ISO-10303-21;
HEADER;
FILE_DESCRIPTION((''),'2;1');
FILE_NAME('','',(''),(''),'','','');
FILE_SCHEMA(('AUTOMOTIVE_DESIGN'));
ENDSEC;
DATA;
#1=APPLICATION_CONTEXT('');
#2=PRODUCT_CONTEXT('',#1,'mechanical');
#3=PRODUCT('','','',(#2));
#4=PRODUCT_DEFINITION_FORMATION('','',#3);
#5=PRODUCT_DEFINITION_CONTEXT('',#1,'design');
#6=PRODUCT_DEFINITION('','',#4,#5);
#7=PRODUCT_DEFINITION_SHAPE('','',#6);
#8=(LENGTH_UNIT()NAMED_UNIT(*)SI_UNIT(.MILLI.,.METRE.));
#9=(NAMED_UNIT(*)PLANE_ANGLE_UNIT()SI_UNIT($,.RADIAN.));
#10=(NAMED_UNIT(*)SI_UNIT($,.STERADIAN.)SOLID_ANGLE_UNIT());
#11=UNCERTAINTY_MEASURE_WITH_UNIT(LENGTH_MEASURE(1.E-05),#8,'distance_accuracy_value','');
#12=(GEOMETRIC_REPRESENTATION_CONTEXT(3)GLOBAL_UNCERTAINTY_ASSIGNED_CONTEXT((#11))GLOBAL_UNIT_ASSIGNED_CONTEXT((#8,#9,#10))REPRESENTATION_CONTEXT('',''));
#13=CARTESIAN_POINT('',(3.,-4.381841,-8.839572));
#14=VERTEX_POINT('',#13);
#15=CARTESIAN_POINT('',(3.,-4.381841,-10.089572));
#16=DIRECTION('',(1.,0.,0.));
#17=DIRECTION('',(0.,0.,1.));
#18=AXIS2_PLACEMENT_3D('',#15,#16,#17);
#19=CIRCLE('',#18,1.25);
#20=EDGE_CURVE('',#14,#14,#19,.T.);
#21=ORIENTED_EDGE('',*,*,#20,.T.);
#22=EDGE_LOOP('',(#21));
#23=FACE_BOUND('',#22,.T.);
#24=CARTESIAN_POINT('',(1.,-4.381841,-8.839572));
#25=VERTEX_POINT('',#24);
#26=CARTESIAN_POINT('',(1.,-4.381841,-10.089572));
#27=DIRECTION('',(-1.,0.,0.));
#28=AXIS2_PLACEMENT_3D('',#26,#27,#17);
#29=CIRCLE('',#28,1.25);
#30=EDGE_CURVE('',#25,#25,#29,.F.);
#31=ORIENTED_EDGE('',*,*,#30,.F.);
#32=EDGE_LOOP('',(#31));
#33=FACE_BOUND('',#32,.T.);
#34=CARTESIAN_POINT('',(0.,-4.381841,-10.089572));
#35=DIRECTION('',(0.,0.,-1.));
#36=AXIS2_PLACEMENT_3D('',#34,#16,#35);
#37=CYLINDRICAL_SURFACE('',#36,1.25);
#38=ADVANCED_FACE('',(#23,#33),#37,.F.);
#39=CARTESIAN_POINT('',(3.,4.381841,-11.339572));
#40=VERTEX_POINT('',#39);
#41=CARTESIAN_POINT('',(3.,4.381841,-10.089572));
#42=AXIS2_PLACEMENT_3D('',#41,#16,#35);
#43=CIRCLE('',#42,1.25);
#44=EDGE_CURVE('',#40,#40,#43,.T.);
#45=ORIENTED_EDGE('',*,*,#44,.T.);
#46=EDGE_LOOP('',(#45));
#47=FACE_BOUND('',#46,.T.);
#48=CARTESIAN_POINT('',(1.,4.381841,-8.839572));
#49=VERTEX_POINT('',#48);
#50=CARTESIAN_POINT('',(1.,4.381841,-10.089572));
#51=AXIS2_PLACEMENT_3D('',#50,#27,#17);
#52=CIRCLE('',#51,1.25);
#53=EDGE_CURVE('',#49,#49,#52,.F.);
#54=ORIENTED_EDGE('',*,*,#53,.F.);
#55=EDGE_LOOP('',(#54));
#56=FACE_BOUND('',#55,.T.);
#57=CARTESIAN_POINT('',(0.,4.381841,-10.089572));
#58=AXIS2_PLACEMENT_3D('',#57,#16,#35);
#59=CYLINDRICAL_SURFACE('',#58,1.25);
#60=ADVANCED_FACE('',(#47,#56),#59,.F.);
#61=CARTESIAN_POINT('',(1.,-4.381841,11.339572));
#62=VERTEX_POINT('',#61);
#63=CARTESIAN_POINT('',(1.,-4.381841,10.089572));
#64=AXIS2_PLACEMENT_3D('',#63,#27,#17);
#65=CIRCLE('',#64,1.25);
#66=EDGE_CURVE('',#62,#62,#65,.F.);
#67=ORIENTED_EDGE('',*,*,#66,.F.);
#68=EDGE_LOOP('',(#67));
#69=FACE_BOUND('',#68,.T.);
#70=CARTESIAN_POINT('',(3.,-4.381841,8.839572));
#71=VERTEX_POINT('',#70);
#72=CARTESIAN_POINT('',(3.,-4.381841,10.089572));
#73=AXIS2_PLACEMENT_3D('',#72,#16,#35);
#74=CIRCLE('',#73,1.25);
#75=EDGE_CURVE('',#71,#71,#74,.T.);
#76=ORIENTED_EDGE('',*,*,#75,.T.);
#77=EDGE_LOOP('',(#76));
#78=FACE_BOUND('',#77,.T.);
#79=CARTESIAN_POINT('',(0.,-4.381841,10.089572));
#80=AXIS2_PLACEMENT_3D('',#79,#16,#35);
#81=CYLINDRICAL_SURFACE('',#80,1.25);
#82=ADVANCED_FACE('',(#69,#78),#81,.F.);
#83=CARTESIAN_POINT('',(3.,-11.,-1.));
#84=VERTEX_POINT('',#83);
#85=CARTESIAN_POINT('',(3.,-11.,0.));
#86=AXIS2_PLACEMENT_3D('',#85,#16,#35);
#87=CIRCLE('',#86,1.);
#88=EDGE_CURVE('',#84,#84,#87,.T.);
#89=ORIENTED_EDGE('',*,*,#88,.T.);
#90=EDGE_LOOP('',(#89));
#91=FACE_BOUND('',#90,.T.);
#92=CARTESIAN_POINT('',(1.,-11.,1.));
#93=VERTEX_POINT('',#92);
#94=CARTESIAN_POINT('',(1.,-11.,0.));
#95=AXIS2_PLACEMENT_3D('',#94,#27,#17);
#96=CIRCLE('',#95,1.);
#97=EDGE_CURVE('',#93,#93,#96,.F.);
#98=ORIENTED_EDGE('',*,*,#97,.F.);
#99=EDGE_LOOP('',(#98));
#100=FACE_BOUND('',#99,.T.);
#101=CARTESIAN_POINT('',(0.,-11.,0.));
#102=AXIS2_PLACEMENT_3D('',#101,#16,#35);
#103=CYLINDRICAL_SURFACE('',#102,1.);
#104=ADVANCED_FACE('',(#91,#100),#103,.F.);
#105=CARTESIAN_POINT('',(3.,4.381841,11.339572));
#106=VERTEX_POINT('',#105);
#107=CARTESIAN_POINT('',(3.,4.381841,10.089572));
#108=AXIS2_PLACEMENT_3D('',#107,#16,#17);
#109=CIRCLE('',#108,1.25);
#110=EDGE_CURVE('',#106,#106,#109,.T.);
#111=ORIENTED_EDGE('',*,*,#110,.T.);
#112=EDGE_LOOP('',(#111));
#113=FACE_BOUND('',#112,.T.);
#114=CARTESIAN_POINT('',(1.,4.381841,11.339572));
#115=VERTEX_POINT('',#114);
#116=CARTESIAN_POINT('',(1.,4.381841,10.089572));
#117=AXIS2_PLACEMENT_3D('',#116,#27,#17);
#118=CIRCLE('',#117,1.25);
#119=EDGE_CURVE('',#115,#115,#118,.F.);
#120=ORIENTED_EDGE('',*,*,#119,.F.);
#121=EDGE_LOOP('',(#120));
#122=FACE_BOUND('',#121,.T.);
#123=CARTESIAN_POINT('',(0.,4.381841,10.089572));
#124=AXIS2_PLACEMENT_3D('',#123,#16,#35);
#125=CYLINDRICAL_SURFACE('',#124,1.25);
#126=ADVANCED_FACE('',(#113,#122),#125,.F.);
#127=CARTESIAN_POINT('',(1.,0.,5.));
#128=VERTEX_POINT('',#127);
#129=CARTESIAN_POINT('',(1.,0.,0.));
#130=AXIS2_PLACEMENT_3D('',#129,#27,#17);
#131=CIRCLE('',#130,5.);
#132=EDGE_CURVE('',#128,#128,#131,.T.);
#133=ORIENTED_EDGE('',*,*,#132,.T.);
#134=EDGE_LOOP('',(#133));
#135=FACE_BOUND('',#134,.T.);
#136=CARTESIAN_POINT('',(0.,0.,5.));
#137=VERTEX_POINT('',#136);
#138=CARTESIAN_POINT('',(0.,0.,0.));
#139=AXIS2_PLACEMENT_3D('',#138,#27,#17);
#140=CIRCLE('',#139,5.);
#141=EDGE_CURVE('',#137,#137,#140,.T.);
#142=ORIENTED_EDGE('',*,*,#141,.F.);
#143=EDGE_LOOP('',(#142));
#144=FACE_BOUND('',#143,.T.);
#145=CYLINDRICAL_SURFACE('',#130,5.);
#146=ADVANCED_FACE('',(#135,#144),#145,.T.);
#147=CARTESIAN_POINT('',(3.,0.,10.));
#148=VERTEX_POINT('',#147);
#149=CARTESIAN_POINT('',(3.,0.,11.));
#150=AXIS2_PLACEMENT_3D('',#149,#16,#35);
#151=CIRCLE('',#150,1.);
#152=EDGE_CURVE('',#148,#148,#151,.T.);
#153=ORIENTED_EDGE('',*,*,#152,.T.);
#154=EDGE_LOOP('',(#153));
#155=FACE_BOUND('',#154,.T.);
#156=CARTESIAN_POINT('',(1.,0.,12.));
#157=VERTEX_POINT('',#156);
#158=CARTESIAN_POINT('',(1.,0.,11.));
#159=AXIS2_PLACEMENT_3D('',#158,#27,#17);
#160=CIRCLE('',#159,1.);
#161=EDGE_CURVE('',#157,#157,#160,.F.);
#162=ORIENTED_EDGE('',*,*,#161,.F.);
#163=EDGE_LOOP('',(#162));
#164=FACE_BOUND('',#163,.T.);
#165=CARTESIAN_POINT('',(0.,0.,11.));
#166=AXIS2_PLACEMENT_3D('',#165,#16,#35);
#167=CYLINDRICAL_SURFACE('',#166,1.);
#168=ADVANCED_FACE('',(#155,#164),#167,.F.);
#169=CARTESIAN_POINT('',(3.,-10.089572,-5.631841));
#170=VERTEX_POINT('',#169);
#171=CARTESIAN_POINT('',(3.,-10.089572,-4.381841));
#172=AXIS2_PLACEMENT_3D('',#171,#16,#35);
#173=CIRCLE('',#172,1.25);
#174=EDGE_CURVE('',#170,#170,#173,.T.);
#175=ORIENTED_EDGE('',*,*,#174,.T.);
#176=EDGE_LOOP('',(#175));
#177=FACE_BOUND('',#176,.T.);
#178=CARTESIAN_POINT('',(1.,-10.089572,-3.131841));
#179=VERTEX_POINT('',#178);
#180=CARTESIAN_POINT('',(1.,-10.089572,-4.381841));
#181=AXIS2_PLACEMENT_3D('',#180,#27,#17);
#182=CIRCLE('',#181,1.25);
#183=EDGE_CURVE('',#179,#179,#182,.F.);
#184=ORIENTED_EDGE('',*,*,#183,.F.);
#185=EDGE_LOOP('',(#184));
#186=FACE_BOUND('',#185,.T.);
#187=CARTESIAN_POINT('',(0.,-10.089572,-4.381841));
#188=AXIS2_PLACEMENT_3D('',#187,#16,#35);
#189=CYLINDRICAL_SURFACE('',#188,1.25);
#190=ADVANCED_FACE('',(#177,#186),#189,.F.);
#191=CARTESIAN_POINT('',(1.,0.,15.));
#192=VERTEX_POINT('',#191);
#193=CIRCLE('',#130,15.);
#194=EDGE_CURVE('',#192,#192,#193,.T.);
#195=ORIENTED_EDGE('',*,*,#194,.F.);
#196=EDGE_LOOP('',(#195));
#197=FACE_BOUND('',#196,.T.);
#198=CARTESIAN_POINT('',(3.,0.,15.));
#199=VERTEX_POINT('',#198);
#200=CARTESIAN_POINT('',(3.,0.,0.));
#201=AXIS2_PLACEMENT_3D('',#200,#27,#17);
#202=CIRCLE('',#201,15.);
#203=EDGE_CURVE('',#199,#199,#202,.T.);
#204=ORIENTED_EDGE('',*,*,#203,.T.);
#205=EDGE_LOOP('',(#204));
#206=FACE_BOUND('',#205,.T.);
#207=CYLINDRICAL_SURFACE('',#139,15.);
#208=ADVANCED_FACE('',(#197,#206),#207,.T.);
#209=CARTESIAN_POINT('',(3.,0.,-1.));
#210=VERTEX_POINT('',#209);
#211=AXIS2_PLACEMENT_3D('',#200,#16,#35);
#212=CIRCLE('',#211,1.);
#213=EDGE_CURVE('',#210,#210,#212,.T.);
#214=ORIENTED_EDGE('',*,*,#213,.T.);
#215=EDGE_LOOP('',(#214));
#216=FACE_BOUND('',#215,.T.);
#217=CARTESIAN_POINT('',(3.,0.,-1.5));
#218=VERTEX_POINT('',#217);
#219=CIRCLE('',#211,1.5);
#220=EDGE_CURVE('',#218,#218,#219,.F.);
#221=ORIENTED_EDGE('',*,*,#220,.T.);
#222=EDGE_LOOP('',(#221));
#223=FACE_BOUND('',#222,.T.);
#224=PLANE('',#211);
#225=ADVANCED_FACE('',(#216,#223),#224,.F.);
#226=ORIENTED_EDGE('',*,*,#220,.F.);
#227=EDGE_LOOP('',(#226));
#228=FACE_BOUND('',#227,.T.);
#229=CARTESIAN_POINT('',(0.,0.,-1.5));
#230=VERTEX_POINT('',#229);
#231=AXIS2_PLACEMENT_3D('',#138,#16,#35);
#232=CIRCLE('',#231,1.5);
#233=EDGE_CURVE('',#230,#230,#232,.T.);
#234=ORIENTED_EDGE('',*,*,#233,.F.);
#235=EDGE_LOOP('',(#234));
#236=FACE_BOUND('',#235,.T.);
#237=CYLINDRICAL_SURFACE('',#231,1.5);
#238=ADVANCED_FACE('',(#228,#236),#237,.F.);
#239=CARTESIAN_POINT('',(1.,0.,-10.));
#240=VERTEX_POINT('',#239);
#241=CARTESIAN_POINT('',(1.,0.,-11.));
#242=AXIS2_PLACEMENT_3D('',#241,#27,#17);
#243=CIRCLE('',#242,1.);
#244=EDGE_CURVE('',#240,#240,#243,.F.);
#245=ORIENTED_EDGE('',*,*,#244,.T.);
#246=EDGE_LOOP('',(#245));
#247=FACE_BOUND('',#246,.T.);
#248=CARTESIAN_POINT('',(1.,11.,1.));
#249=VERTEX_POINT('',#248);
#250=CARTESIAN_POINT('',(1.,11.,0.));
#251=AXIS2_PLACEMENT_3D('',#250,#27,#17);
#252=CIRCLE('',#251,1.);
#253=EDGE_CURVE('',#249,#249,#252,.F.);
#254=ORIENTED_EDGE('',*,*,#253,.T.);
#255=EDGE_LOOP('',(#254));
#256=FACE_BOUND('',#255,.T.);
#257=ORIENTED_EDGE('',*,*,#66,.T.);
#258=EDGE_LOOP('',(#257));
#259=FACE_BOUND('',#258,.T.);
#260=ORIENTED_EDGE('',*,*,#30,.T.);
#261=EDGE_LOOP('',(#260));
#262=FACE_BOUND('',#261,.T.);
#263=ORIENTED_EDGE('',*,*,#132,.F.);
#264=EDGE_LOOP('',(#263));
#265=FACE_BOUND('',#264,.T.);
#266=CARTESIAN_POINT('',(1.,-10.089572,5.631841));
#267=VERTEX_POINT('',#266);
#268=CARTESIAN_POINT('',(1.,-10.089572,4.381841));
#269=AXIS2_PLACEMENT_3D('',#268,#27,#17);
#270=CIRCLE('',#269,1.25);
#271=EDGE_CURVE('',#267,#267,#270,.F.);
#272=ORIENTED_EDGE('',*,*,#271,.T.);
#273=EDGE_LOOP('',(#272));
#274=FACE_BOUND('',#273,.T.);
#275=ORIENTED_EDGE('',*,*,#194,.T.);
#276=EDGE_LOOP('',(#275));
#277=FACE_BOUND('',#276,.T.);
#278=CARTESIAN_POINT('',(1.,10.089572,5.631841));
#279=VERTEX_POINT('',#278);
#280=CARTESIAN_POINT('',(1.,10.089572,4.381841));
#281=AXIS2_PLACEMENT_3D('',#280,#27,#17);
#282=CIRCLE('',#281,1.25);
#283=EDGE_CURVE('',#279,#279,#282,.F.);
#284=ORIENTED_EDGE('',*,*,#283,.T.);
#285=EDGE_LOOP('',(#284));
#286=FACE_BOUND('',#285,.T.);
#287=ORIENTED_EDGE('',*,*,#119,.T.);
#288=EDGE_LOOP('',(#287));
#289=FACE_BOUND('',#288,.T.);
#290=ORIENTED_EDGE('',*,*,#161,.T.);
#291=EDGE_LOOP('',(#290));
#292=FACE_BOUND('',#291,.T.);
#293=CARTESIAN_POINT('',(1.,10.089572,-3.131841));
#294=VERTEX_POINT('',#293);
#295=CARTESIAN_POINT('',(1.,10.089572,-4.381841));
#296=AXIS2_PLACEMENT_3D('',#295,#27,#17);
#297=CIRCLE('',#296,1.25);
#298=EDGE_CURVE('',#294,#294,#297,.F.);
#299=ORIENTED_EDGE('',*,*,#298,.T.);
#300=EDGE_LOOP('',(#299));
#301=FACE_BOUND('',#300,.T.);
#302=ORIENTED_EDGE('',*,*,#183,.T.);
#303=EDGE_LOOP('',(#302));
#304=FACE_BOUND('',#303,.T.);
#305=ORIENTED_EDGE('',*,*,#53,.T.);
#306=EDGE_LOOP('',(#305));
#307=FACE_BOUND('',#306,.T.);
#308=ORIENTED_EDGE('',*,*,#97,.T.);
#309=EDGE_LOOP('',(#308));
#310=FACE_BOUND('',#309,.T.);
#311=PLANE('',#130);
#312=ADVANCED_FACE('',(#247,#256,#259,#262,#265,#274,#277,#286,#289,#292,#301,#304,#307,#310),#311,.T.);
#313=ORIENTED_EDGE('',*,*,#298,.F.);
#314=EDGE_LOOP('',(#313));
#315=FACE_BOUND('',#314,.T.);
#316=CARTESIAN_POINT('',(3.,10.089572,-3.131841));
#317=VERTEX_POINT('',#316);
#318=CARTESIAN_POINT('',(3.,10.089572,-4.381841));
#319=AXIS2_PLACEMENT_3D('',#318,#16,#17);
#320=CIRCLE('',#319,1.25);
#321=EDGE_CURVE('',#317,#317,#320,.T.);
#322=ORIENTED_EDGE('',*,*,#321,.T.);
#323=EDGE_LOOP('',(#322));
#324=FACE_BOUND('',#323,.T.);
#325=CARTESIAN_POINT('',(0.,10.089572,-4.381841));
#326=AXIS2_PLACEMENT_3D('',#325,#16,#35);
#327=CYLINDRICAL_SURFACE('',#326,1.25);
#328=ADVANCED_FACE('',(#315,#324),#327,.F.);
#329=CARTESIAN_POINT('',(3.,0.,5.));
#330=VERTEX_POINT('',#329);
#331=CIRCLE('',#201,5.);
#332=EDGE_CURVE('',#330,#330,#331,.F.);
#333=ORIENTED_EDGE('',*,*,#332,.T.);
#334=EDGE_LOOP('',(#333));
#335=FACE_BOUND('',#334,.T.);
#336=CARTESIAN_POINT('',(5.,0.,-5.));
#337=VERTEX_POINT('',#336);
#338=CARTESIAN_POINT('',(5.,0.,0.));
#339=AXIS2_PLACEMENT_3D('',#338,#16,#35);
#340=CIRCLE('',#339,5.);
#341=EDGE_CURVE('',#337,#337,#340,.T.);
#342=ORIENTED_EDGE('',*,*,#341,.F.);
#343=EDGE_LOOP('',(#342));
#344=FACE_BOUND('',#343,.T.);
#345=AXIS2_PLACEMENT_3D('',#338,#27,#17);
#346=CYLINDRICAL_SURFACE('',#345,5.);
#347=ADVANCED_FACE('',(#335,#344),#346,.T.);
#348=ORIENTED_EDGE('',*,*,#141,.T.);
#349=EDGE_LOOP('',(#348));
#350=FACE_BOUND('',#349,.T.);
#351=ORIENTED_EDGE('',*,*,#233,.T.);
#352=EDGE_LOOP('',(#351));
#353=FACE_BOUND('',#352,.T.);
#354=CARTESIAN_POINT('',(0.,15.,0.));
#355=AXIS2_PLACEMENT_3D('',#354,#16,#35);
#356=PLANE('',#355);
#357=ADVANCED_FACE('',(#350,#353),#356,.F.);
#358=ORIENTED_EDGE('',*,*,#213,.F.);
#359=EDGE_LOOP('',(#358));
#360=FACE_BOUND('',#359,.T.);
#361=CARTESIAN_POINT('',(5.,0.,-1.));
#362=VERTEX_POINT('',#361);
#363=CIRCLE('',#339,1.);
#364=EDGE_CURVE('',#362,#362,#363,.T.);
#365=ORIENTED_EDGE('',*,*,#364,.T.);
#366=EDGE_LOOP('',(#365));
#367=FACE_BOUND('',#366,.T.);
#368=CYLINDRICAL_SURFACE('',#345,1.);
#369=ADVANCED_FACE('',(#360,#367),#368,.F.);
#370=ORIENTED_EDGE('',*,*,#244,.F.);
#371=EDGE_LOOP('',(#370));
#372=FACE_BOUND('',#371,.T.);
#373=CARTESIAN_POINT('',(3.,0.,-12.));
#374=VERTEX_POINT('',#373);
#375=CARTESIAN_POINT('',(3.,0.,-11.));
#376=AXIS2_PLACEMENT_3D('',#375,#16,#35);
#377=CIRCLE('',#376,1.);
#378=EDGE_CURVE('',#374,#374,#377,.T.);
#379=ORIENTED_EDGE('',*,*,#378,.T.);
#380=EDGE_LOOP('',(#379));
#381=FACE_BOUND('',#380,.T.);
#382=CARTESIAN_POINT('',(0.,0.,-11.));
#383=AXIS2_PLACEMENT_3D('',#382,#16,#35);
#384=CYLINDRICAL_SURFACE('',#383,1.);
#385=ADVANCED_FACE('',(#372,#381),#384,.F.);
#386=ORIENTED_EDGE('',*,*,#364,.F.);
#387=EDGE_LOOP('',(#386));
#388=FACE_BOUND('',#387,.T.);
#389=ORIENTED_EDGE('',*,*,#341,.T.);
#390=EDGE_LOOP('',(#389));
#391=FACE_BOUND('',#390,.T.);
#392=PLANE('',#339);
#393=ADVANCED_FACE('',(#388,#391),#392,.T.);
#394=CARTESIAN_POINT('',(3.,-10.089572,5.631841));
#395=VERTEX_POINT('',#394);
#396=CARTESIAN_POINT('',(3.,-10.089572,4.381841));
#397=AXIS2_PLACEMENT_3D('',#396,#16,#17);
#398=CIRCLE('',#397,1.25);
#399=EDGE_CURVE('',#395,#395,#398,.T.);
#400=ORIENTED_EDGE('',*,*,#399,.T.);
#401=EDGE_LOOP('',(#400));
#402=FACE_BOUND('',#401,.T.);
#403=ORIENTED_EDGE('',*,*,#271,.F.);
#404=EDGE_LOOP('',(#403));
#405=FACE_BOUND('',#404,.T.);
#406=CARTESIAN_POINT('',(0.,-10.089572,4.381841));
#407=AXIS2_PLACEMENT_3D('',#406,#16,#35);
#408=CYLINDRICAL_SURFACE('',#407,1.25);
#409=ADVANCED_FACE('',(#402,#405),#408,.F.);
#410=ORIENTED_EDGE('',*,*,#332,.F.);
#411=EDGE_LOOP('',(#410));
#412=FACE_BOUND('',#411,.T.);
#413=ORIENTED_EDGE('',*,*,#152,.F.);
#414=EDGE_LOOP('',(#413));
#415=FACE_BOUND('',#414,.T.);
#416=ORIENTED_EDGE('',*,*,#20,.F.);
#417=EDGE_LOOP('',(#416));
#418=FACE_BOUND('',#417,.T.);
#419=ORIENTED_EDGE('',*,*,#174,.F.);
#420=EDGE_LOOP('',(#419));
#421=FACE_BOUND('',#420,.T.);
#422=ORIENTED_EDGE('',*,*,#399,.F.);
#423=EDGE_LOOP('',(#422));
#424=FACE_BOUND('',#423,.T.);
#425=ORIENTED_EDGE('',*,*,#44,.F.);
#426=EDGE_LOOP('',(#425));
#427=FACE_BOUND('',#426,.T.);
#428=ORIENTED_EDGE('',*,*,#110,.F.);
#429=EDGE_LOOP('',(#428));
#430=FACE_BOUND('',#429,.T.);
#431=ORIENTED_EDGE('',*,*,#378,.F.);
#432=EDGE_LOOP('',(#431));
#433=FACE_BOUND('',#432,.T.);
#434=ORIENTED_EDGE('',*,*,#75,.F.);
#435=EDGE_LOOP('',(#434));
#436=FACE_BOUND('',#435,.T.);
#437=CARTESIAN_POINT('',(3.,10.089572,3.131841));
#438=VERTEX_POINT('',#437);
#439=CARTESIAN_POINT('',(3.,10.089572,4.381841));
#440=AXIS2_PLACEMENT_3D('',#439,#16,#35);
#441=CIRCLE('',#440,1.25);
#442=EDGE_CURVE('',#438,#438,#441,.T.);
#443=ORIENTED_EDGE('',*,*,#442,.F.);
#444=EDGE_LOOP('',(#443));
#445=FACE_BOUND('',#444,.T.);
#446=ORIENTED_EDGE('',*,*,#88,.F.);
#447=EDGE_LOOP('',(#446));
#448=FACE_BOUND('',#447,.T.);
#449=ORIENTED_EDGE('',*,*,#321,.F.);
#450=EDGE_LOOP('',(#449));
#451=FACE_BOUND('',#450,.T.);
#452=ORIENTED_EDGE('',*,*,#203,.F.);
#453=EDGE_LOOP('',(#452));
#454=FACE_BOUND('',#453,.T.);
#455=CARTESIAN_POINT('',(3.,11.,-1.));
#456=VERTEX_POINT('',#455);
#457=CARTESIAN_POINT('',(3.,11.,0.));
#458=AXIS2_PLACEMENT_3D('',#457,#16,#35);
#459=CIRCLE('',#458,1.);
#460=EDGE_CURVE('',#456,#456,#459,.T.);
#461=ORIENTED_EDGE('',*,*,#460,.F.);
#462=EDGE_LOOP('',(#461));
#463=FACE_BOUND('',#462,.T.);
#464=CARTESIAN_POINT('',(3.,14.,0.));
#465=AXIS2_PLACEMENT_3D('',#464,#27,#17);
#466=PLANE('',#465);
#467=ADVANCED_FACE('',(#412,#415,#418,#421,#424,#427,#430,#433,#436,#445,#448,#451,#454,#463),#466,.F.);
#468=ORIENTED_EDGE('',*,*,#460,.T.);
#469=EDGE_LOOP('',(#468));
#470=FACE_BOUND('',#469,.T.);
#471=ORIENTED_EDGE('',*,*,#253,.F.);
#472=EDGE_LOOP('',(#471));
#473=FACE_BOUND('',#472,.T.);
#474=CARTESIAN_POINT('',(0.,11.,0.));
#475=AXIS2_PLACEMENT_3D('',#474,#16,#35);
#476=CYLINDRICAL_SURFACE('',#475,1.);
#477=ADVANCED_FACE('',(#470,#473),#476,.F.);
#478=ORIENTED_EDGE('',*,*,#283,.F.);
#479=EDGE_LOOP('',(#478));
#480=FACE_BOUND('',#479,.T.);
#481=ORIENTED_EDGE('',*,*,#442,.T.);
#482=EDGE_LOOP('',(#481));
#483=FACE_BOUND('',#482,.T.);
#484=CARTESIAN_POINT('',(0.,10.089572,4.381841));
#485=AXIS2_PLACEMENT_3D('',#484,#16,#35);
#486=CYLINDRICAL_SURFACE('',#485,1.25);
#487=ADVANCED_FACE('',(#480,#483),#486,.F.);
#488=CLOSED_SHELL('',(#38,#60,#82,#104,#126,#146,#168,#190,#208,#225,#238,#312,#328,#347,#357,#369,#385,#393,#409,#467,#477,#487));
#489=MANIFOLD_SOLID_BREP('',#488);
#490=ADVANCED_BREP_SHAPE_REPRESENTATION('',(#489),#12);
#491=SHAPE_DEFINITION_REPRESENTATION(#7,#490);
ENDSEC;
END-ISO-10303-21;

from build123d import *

# Parameters (mm, degrees)
SKETCH3_R           = 1.5
EXTRUDE1_DEPTH      = 4
SKETCH4_R           = 1
SKETCH4_R_2         = 1.25
EXTRUDE2_DEPTH      = 4
SKETCH5_R           = 5
SKETCH5_R_2         = 1
BOSS_EXTRUDE1_DEPTH = 2
SKETCH6_R           = 15
SKETCH6_R_2         = 5
CUT_EXTRUDE2_DEPTH  = 1


with BuildPart() as part:
    # Sketch1 → Revolve1 (revolve)
    with BuildSketch(Plane.XY):
        Polygon((1.809375, 15), (1.190625, 15), (0, 15), (0, 14), (0, 0), (3, 0), (3, 14), (3, 15), align=None)
    revolve(axis=Axis((0, 0, 0), (1, 0, 0)))

    # Sketch3 → Extrude1 (cut, through all)
    with BuildSketch(Plane(origin=(3, 0, 0), x_dir=(0, 0, -1), z_dir=(1, 0, 0))):
        Circle(SKETCH3_R)
    extrude(amount=-EXTRUDE1_DEPTH, mode=Mode.SUBTRACT)

    # Sketch4 → Extrude2 (cut, through all)
    with BuildSketch(Plane(origin=(3, 0, 0), x_dir=(0, 0, -1), z_dir=(1, 0, 0))):
        with Locations((0, 11)):
            Circle(SKETCH4_R)
        with Locations((-4.381841494, 10.089572098)):
            Circle(SKETCH4_R_2)
        with Locations((4.381841494, 10.089572098)):
            Circle(SKETCH4_R_2)
        with Locations((10.089572098, -4.381841494)):
            Circle(SKETCH4_R_2)
        with Locations((11, 0)):
            Circle(SKETCH4_R)
        with Locations((10.089572098, 4.381841494)):
            Circle(SKETCH4_R_2)
        with Locations((-4.381841494, -10.089572098)):
            Circle(SKETCH4_R_2)
        with Locations((0, -11)):
            Circle(SKETCH4_R)
        with Locations((4.381841494, -10.089572098)):
            Circle(SKETCH4_R_2)
        with Locations((-10.089572098, 4.381841494)):
            Circle(SKETCH4_R_2)
        with Locations((-11, 0)):
            Circle(SKETCH4_R)
        with Locations((-10.089572098, -4.381841494)):
            Circle(SKETCH4_R_2)
    extrude(amount=-EXTRUDE2_DEPTH, mode=Mode.SUBTRACT)

    # Sketch5 → Boss-Extrude1 (add)
    with BuildSketch(Plane(origin=(3, 0, 0), x_dir=(0, 0, -1), z_dir=(1, 0, 0))):
        Circle(SKETCH5_R)
        Circle(SKETCH5_R_2, mode=Mode.SUBTRACT)
    extrude(amount=BOSS_EXTRUDE1_DEPTH)

    # Sketch6 → Cut-Extrude2 (cut)
    with BuildSketch(Plane.ZY):
        Circle(SKETCH6_R)
        Circle(SKETCH6_R_2, mode=Mode.SUBTRACT)
    extrude(amount=-CUT_EXTRUDE2_DEPTH, mode=Mode.SUBTRACT)


solid = part.part
